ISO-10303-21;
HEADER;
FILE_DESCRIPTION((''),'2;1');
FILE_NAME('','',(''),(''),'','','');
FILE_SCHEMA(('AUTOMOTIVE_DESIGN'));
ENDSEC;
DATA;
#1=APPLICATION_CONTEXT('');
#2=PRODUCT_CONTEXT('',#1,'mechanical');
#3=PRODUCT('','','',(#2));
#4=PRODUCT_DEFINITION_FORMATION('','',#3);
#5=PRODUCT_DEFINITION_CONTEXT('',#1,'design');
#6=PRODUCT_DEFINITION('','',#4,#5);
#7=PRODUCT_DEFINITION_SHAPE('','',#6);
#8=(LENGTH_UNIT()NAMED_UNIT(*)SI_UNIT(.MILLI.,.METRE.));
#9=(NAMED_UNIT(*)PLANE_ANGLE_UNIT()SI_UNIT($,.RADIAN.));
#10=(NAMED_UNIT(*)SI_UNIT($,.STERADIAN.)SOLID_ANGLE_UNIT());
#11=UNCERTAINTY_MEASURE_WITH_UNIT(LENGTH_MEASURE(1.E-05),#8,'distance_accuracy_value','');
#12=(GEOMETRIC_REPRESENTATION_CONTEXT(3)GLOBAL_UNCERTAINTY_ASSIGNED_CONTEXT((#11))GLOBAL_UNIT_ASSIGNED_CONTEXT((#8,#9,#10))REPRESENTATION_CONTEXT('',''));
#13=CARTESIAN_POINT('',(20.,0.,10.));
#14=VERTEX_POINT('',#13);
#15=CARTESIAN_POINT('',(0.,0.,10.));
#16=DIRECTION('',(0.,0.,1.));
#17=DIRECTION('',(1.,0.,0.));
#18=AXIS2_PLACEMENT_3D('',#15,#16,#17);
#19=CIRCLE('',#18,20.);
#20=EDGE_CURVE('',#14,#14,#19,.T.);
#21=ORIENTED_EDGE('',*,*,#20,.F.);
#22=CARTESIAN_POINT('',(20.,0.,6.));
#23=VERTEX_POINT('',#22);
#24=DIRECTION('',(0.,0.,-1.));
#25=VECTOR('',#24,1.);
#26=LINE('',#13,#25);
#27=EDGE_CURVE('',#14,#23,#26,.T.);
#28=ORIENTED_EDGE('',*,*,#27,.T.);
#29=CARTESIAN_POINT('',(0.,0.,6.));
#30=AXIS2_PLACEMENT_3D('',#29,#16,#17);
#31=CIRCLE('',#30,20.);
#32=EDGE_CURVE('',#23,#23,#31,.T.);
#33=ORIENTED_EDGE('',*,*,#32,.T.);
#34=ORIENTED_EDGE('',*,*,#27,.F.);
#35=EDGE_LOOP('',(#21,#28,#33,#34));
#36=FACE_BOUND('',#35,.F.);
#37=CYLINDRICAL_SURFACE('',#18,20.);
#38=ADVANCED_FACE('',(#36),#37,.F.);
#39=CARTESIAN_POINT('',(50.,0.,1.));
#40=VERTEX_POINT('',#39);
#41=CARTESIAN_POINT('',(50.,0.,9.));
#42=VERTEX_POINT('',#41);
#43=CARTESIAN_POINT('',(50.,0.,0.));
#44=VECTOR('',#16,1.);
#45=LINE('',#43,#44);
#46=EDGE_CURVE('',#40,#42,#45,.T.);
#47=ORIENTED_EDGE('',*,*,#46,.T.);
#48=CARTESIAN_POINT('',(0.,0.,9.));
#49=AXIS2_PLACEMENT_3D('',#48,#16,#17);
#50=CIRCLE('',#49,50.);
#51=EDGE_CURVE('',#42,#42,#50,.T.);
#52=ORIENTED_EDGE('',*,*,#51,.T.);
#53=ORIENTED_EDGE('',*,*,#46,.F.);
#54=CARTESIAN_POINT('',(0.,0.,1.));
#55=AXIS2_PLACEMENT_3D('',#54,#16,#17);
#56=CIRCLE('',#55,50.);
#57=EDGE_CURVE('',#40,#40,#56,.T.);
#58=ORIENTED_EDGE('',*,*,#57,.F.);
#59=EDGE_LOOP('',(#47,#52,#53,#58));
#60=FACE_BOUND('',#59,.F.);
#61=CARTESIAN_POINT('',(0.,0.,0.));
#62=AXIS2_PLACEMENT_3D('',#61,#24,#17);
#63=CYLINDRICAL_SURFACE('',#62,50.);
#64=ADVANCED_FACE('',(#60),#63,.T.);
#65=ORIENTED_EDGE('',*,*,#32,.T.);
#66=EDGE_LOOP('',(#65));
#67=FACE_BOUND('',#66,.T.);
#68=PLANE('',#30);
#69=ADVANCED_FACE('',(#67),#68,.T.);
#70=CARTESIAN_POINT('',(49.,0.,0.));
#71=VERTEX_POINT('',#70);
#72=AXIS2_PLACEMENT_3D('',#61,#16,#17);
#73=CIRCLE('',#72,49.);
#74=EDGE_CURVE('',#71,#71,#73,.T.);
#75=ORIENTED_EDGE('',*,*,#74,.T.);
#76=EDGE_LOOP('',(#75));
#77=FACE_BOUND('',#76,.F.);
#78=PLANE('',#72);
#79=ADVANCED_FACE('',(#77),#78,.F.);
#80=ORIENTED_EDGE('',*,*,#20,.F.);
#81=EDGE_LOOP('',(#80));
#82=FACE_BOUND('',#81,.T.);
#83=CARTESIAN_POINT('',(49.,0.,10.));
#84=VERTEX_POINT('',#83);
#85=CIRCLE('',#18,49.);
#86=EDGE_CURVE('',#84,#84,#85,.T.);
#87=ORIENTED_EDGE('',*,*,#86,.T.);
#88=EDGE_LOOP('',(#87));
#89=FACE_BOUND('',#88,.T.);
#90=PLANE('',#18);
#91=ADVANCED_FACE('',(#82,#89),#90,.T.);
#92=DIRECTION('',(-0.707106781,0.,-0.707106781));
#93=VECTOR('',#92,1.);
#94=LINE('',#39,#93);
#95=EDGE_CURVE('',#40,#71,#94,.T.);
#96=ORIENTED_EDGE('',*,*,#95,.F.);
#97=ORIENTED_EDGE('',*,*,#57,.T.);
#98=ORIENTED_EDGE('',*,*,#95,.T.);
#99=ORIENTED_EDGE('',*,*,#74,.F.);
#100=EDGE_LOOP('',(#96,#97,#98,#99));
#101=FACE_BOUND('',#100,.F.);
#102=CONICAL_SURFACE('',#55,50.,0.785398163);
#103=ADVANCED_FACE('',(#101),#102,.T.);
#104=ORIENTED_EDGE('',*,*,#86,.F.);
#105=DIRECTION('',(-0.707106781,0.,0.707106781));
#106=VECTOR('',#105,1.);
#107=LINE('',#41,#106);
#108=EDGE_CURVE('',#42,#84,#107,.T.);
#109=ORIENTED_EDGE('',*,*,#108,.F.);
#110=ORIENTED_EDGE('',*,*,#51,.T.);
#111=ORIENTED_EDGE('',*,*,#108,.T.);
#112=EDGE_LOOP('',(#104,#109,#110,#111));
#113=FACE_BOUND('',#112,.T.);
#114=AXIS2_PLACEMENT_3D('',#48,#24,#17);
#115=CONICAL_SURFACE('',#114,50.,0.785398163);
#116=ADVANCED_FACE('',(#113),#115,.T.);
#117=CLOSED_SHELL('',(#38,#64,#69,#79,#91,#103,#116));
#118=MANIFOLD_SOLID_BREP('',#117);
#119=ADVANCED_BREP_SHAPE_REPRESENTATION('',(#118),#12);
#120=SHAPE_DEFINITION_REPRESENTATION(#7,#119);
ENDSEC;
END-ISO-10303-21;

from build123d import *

# Parameters (mm, degrees)
F0_R     = 50
F1_DEPTH = 10
F2_R     = 20
F3_DEPTH = 4
F4_SIZE  = 1


with BuildPart() as f1:
    # F0 (on Top) → F1 (new body)
    with BuildSketch(Plane.XY):
        Circle(F0_R)
    extrude(amount=F1_DEPTH)

    # F2 (on face) → F3 (cut)
    with BuildSketch(Plane.XY.offset(10)):
        Circle(F2_R)
    extrude(amount=-F3_DEPTH, mode=Mode.SUBTRACT)

    # F4
    f4_edges = [f1.edges().sort_by_distance(p)[0] for p in [
        (-50, 0, 10),
        (-50, 0, 0),
    ]]
    chamfer(f4_edges, length=F4_SIZE)


solid = f1.part
